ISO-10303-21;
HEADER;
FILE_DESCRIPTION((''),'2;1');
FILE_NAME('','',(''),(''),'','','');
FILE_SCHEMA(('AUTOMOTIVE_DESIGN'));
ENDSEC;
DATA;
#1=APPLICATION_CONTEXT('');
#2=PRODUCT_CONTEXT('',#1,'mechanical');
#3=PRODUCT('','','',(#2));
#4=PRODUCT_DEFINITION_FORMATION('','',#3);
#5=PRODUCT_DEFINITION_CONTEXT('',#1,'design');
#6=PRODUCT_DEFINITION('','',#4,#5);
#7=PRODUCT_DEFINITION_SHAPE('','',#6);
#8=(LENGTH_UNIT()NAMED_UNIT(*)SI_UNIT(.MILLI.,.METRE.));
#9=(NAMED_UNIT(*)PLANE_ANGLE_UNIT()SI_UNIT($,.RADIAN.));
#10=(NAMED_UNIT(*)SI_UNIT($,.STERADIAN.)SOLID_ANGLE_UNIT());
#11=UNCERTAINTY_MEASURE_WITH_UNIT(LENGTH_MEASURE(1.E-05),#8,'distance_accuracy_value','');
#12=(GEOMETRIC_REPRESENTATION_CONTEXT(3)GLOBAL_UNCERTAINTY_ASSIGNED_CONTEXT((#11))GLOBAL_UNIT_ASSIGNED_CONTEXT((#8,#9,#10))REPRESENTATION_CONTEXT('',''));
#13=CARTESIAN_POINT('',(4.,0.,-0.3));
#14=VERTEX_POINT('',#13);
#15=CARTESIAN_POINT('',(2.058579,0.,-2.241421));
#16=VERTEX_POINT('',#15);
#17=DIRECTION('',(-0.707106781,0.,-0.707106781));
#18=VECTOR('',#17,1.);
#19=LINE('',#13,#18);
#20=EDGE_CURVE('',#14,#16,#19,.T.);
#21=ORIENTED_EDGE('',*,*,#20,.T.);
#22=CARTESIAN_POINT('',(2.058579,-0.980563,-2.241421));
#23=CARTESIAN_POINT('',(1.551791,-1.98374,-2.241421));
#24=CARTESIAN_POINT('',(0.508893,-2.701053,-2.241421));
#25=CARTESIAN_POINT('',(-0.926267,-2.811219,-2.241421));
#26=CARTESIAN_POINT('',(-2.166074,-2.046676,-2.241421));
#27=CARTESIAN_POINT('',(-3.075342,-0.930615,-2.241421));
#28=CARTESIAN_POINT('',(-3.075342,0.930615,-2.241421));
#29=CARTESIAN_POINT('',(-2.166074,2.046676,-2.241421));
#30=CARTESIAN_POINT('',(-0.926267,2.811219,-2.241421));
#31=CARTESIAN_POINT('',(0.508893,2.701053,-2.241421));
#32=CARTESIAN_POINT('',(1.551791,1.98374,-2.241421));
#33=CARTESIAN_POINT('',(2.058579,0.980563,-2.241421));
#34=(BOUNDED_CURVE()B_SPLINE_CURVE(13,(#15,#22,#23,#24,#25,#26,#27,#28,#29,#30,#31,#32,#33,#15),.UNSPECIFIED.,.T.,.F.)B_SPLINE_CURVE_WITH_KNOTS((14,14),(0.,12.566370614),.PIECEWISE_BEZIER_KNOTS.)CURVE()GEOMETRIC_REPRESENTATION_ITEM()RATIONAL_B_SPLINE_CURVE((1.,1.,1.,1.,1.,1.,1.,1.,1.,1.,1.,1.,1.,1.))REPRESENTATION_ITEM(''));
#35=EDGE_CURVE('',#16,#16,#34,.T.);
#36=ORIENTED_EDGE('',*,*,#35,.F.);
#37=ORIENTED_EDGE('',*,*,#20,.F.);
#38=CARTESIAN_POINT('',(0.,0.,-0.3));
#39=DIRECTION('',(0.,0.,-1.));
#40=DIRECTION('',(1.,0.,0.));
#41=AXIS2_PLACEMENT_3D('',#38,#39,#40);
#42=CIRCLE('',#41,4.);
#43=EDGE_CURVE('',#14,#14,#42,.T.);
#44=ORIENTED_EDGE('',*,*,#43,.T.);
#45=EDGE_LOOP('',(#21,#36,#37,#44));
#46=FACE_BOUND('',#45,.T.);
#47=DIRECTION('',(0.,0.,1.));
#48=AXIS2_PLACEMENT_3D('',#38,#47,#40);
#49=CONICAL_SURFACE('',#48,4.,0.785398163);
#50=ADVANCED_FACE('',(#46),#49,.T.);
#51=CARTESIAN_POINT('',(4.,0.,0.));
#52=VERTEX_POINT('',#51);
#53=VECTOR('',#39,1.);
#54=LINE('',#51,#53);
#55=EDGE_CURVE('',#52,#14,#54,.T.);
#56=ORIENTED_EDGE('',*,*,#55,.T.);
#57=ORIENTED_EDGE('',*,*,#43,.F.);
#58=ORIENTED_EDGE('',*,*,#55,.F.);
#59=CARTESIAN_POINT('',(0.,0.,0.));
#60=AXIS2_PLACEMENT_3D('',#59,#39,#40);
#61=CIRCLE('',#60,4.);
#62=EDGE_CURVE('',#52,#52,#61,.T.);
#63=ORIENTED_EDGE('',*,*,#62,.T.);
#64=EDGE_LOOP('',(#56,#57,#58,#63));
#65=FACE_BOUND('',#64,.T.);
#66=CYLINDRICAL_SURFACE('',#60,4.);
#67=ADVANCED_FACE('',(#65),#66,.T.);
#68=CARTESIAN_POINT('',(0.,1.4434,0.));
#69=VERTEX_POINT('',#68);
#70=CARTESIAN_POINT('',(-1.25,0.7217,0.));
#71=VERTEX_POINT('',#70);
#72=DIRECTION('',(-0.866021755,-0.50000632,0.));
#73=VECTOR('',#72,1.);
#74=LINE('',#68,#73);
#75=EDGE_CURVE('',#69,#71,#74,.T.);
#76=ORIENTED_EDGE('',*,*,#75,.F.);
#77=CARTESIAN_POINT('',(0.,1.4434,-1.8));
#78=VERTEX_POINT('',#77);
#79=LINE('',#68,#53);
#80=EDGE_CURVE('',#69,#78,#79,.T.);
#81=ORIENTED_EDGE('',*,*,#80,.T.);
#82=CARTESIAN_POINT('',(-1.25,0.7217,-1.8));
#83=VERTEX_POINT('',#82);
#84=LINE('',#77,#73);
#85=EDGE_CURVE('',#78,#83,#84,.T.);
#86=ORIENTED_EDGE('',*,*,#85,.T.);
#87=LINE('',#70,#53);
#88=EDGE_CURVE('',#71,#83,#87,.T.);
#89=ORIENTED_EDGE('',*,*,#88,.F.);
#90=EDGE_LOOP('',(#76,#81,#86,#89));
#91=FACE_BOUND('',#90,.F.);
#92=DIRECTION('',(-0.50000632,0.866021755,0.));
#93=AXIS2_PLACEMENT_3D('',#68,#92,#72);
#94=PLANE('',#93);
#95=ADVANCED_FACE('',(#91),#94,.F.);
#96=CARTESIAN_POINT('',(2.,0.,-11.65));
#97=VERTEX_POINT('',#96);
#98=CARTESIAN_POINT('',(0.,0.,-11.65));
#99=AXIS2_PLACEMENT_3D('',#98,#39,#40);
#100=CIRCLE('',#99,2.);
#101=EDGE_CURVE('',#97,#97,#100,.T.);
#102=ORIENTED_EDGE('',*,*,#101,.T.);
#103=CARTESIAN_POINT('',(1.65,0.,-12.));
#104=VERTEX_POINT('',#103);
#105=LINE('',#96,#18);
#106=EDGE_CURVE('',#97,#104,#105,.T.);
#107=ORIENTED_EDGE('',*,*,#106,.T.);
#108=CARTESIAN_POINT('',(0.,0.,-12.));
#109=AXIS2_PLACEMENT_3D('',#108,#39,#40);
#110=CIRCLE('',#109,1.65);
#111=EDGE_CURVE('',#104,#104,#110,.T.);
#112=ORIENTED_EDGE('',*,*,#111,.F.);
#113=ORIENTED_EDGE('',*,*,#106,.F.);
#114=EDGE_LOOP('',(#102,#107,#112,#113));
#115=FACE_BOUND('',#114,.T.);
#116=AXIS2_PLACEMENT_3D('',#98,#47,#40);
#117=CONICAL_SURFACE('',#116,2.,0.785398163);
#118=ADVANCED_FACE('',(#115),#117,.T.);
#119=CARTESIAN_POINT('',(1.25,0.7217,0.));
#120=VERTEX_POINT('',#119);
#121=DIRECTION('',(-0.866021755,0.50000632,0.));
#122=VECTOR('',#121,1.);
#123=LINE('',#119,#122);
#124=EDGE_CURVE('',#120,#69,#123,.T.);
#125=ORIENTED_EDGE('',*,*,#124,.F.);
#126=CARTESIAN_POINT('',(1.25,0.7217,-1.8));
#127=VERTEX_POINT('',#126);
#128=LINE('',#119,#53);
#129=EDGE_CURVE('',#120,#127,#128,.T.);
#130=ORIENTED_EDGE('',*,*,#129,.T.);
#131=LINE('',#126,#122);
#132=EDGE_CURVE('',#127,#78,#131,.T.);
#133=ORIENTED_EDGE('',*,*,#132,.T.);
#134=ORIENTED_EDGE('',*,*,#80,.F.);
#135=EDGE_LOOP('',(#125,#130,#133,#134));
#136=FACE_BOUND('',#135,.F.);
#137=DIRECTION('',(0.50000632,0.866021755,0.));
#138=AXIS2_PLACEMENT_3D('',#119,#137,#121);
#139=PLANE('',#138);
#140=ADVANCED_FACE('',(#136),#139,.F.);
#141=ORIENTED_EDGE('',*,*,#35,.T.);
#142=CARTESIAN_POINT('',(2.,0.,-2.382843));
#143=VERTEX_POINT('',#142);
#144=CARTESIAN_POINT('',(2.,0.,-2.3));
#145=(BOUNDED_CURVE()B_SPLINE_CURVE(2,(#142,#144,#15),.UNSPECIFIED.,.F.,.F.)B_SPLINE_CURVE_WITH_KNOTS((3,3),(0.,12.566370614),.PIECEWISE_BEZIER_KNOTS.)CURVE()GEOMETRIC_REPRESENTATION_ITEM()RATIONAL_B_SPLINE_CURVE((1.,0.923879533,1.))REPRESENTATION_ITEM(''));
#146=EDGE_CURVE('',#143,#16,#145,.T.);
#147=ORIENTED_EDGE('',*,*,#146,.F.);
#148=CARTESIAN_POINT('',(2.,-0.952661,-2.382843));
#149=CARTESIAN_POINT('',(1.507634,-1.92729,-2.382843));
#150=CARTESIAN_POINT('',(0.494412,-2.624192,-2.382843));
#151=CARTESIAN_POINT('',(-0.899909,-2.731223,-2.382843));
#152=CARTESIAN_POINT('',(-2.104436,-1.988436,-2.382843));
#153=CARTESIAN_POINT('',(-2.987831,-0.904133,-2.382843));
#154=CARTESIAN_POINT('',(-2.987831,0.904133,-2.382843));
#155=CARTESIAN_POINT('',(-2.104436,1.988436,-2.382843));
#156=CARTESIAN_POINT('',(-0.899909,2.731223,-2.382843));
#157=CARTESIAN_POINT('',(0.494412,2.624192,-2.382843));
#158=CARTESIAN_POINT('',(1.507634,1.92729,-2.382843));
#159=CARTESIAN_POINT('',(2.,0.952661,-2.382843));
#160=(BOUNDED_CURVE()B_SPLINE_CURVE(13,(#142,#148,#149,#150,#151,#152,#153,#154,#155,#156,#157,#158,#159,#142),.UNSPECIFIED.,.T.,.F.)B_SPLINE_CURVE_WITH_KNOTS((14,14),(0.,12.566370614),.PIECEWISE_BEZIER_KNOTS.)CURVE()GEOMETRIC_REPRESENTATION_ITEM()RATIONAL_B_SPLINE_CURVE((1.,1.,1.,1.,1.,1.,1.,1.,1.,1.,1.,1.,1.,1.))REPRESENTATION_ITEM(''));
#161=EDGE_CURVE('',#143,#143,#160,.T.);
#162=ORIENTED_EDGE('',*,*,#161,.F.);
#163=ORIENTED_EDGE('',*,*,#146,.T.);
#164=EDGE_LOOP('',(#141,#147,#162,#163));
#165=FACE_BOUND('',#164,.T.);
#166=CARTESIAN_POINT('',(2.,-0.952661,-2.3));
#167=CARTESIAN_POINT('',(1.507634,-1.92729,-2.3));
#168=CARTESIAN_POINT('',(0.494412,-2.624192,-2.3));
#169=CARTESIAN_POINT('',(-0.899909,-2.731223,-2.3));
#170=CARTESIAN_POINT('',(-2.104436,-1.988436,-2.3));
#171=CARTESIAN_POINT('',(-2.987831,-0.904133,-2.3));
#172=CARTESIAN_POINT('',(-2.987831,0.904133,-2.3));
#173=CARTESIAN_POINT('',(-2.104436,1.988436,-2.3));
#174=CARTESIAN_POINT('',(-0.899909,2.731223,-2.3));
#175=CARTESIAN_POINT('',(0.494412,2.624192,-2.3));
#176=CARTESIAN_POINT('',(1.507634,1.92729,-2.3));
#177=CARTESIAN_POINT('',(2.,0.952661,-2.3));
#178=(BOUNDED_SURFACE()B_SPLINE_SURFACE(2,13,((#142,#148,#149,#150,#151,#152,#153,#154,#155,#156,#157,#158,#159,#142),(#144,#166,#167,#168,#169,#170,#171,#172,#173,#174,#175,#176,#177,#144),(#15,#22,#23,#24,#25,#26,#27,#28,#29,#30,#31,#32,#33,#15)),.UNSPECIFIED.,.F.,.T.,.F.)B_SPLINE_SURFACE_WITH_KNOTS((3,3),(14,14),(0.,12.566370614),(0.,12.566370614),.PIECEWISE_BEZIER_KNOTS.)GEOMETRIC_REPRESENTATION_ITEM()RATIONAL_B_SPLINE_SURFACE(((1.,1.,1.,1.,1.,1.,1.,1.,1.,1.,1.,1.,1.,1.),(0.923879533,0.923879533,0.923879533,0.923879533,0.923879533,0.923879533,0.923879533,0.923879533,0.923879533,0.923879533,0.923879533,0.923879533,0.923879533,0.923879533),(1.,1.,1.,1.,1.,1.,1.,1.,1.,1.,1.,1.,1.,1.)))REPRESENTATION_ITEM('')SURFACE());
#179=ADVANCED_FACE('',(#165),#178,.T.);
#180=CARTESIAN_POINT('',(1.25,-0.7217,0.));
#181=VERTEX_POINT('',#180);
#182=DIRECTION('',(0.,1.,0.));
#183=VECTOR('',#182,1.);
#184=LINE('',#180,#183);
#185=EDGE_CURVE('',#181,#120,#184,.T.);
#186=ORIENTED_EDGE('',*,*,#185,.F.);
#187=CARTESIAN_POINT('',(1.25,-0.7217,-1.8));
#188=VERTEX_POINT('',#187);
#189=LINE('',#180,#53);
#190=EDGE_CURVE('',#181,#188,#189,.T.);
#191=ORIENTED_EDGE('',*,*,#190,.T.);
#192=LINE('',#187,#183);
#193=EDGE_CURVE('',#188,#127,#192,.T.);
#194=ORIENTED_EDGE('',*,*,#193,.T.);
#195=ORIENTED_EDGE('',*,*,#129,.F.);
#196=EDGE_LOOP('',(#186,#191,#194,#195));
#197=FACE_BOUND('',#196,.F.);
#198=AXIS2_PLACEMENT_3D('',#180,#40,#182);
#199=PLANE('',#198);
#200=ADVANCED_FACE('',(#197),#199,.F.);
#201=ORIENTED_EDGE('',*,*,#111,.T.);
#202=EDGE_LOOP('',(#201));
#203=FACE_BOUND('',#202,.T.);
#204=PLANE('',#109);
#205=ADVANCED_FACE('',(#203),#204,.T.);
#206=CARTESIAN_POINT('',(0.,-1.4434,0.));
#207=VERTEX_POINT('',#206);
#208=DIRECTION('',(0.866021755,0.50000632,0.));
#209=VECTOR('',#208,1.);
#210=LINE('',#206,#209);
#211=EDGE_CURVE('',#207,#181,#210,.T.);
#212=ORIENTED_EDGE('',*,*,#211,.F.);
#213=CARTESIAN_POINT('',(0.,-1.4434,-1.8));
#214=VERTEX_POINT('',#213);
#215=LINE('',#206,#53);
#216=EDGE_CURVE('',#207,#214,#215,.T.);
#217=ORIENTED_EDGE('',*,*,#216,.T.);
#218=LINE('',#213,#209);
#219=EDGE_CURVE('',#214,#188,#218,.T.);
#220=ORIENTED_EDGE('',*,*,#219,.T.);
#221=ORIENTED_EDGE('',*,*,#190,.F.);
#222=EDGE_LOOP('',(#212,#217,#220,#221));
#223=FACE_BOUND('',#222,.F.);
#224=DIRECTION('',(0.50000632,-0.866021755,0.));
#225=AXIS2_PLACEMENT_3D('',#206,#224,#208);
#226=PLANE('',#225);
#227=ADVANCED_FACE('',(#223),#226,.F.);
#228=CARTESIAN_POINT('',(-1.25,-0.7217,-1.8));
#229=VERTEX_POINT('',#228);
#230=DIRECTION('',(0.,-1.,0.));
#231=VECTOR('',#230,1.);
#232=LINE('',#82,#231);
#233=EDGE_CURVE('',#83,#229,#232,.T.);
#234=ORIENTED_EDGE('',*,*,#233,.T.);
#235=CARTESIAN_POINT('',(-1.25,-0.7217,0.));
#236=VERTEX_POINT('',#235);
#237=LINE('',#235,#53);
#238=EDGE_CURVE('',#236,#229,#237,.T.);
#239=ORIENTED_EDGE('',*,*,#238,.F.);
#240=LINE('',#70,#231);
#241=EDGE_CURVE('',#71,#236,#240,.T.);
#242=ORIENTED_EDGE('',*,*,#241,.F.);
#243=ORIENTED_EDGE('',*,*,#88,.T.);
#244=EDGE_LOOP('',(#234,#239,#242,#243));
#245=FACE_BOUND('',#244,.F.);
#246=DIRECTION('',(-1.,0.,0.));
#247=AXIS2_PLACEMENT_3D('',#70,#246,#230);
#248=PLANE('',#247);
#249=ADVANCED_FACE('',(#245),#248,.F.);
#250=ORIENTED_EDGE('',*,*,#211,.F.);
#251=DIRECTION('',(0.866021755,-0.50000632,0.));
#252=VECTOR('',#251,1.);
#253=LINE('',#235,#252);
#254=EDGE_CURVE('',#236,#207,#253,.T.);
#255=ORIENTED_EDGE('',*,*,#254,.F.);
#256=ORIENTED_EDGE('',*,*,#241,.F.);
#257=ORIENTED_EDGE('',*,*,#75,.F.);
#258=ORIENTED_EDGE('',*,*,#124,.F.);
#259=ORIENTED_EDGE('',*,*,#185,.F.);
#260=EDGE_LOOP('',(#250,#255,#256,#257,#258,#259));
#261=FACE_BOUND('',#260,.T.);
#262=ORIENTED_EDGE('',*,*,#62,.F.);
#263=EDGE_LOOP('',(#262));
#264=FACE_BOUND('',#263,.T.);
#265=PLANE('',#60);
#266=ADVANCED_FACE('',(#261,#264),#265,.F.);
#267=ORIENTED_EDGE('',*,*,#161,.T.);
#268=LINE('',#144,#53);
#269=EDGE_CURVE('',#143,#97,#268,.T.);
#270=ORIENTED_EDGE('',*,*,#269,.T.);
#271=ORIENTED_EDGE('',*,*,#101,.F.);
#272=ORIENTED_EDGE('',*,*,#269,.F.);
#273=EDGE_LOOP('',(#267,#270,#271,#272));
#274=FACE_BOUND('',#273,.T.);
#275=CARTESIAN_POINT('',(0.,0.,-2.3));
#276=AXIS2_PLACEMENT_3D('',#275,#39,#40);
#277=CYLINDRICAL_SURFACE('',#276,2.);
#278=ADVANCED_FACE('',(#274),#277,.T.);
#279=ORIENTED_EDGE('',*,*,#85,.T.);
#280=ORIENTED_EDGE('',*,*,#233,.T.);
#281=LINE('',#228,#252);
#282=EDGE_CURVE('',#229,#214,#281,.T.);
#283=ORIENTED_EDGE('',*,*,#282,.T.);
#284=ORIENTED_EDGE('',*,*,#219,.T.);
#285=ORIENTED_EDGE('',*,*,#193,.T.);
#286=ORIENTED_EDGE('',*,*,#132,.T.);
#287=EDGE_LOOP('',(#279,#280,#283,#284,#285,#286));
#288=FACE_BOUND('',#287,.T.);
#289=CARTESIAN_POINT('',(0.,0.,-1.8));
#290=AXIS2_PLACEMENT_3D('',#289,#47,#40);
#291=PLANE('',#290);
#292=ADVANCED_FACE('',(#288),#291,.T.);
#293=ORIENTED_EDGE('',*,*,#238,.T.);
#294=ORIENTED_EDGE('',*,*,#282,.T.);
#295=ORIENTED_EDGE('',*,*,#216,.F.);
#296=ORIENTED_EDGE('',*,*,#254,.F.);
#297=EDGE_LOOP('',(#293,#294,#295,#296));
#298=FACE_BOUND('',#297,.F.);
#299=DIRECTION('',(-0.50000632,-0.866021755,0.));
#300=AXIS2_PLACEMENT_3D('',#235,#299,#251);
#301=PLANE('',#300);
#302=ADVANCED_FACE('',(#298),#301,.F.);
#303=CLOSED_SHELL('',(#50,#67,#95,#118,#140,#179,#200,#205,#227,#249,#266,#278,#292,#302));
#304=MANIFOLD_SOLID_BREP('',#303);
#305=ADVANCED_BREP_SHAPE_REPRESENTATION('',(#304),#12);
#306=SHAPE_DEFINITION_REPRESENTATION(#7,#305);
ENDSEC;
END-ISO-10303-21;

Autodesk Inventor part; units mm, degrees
ref_plane "YZ Plane" through (0, 0, 0) normal (1, 0, 0) x (0, 1, 0)
sketch "Sketch1" plane through (0, 0, 0) normal (0, 1, 0) x (-1, 0, 0)
  point P0 (0, 0)
sketch "Sketch2" plane through (0, 0, 0) normal (0, 1, 0) x (-1, 0, 0)
  line L0 (-2, -12) -> (0, -12)
  line L1 (-2, -2.3) -> (-2, -12)
  line L2 (-4, -0.3) -> (-2, -2.3)
  line L3 (-4, 0) -> (-4, -0.3)
  line L4 (0, 0) -> (-4, 0)
  line L5 (0, -12) -> (0, 0)
  line L6 (0, -12) -> (0, 0)
  line L7 (0, -14.4) -> (0, 2.4) projected
  line L8 (0.8, 0) -> (-4.8, 0) projected
  dimension "d3" = 4
  dimension "d5" = 2
  dimension "d7" = 12
  dimension "ParC" = 0.3
  dimension "d22" = 0
  dimension "d23" = 0
  dimension "d43" = 45
revolve "Revolution1" add sketch "Sketch2" angle 360 about axis through (0, 0, -12) along (0, 0, -1)
sketch "Sketch3" plane through (0, 0, 0) normal (0, 0, 1) x (1, 0, 0)
  line L0 (-1.25, 0.7217) -> (-1.25, -0.7217)
  line L1 (0, 1.4434) -> (-1.25, 0.7217)
  line L2 (1.25, 0.7217) -> (0, 1.4434)
  line L3 (1.25, -0.7217) -> (1.25, 0.7217)
  line L4 (0, -1.4434) -> (1.25, -0.7217)
  line L5 (-1.25, -0.7217) -> (0, -1.4434)
  circle A0 centre (0, 0) radius 1.25 construction
  circle A1 centre (0, 0) radius 2 construction
  dimension "d11" = 2.5
  dimension "d13" = 120
  dimension "d15" = 120
extrude "Extrusion1" cut sketch "Sketch3" against normal blind 1.8
fillet "Fillet1" radius 0.2 1 edges at (-2, 0, -2.3)
chamfer "Chamfer1" distance 0.35 angle 45 1 edges at (-2, 0, -12) measured on face at (-0.9288, -1.7713, -8.7943)
thread "Thread1" size "M4x0.7" class "6g" standard "ISO Metric profile" length 8.3
ref_plane "MSC_PF1" through (0, 0, 0) normal (1, 0, 0) x (0, 1, 0)
ref_plane "MSC_PT1" through (0, 0, 0) normal (0, 0, -1) x (-1, 0, 0)
equation "\"d3\" = 0.5 * dk"
equation "\"d5\" = 0.5 * NND"
equation "\"d7\" = NLG"
equation "\"d43\" = 0.5 * ang"
equation "\"d18\" = r"
equation "\"d19\" = 0.5 * PTC"
equation "\"d39\" = 0.5 * PTC"
equation "\"d11\" = ParS"
equation "\"d16\" = ParT"
equation "\"NND\" = 4"
equation "\"PTC\" = 0.7"
equation "\"dk\" = 8"
equation "\"ParK\" = 2.3"
equation "\"ParS\" = 2.5"
equation "\"ParT\" = 1.8"
equation "\"r\" = 0.2"
equation "\"NLG\" = 12"
equation "\"ang\" = 90deg"
equation "\"THREADDIA\" = NND"
properties part number "DIN 7991 - M4x12" material "Steel, Mild"
